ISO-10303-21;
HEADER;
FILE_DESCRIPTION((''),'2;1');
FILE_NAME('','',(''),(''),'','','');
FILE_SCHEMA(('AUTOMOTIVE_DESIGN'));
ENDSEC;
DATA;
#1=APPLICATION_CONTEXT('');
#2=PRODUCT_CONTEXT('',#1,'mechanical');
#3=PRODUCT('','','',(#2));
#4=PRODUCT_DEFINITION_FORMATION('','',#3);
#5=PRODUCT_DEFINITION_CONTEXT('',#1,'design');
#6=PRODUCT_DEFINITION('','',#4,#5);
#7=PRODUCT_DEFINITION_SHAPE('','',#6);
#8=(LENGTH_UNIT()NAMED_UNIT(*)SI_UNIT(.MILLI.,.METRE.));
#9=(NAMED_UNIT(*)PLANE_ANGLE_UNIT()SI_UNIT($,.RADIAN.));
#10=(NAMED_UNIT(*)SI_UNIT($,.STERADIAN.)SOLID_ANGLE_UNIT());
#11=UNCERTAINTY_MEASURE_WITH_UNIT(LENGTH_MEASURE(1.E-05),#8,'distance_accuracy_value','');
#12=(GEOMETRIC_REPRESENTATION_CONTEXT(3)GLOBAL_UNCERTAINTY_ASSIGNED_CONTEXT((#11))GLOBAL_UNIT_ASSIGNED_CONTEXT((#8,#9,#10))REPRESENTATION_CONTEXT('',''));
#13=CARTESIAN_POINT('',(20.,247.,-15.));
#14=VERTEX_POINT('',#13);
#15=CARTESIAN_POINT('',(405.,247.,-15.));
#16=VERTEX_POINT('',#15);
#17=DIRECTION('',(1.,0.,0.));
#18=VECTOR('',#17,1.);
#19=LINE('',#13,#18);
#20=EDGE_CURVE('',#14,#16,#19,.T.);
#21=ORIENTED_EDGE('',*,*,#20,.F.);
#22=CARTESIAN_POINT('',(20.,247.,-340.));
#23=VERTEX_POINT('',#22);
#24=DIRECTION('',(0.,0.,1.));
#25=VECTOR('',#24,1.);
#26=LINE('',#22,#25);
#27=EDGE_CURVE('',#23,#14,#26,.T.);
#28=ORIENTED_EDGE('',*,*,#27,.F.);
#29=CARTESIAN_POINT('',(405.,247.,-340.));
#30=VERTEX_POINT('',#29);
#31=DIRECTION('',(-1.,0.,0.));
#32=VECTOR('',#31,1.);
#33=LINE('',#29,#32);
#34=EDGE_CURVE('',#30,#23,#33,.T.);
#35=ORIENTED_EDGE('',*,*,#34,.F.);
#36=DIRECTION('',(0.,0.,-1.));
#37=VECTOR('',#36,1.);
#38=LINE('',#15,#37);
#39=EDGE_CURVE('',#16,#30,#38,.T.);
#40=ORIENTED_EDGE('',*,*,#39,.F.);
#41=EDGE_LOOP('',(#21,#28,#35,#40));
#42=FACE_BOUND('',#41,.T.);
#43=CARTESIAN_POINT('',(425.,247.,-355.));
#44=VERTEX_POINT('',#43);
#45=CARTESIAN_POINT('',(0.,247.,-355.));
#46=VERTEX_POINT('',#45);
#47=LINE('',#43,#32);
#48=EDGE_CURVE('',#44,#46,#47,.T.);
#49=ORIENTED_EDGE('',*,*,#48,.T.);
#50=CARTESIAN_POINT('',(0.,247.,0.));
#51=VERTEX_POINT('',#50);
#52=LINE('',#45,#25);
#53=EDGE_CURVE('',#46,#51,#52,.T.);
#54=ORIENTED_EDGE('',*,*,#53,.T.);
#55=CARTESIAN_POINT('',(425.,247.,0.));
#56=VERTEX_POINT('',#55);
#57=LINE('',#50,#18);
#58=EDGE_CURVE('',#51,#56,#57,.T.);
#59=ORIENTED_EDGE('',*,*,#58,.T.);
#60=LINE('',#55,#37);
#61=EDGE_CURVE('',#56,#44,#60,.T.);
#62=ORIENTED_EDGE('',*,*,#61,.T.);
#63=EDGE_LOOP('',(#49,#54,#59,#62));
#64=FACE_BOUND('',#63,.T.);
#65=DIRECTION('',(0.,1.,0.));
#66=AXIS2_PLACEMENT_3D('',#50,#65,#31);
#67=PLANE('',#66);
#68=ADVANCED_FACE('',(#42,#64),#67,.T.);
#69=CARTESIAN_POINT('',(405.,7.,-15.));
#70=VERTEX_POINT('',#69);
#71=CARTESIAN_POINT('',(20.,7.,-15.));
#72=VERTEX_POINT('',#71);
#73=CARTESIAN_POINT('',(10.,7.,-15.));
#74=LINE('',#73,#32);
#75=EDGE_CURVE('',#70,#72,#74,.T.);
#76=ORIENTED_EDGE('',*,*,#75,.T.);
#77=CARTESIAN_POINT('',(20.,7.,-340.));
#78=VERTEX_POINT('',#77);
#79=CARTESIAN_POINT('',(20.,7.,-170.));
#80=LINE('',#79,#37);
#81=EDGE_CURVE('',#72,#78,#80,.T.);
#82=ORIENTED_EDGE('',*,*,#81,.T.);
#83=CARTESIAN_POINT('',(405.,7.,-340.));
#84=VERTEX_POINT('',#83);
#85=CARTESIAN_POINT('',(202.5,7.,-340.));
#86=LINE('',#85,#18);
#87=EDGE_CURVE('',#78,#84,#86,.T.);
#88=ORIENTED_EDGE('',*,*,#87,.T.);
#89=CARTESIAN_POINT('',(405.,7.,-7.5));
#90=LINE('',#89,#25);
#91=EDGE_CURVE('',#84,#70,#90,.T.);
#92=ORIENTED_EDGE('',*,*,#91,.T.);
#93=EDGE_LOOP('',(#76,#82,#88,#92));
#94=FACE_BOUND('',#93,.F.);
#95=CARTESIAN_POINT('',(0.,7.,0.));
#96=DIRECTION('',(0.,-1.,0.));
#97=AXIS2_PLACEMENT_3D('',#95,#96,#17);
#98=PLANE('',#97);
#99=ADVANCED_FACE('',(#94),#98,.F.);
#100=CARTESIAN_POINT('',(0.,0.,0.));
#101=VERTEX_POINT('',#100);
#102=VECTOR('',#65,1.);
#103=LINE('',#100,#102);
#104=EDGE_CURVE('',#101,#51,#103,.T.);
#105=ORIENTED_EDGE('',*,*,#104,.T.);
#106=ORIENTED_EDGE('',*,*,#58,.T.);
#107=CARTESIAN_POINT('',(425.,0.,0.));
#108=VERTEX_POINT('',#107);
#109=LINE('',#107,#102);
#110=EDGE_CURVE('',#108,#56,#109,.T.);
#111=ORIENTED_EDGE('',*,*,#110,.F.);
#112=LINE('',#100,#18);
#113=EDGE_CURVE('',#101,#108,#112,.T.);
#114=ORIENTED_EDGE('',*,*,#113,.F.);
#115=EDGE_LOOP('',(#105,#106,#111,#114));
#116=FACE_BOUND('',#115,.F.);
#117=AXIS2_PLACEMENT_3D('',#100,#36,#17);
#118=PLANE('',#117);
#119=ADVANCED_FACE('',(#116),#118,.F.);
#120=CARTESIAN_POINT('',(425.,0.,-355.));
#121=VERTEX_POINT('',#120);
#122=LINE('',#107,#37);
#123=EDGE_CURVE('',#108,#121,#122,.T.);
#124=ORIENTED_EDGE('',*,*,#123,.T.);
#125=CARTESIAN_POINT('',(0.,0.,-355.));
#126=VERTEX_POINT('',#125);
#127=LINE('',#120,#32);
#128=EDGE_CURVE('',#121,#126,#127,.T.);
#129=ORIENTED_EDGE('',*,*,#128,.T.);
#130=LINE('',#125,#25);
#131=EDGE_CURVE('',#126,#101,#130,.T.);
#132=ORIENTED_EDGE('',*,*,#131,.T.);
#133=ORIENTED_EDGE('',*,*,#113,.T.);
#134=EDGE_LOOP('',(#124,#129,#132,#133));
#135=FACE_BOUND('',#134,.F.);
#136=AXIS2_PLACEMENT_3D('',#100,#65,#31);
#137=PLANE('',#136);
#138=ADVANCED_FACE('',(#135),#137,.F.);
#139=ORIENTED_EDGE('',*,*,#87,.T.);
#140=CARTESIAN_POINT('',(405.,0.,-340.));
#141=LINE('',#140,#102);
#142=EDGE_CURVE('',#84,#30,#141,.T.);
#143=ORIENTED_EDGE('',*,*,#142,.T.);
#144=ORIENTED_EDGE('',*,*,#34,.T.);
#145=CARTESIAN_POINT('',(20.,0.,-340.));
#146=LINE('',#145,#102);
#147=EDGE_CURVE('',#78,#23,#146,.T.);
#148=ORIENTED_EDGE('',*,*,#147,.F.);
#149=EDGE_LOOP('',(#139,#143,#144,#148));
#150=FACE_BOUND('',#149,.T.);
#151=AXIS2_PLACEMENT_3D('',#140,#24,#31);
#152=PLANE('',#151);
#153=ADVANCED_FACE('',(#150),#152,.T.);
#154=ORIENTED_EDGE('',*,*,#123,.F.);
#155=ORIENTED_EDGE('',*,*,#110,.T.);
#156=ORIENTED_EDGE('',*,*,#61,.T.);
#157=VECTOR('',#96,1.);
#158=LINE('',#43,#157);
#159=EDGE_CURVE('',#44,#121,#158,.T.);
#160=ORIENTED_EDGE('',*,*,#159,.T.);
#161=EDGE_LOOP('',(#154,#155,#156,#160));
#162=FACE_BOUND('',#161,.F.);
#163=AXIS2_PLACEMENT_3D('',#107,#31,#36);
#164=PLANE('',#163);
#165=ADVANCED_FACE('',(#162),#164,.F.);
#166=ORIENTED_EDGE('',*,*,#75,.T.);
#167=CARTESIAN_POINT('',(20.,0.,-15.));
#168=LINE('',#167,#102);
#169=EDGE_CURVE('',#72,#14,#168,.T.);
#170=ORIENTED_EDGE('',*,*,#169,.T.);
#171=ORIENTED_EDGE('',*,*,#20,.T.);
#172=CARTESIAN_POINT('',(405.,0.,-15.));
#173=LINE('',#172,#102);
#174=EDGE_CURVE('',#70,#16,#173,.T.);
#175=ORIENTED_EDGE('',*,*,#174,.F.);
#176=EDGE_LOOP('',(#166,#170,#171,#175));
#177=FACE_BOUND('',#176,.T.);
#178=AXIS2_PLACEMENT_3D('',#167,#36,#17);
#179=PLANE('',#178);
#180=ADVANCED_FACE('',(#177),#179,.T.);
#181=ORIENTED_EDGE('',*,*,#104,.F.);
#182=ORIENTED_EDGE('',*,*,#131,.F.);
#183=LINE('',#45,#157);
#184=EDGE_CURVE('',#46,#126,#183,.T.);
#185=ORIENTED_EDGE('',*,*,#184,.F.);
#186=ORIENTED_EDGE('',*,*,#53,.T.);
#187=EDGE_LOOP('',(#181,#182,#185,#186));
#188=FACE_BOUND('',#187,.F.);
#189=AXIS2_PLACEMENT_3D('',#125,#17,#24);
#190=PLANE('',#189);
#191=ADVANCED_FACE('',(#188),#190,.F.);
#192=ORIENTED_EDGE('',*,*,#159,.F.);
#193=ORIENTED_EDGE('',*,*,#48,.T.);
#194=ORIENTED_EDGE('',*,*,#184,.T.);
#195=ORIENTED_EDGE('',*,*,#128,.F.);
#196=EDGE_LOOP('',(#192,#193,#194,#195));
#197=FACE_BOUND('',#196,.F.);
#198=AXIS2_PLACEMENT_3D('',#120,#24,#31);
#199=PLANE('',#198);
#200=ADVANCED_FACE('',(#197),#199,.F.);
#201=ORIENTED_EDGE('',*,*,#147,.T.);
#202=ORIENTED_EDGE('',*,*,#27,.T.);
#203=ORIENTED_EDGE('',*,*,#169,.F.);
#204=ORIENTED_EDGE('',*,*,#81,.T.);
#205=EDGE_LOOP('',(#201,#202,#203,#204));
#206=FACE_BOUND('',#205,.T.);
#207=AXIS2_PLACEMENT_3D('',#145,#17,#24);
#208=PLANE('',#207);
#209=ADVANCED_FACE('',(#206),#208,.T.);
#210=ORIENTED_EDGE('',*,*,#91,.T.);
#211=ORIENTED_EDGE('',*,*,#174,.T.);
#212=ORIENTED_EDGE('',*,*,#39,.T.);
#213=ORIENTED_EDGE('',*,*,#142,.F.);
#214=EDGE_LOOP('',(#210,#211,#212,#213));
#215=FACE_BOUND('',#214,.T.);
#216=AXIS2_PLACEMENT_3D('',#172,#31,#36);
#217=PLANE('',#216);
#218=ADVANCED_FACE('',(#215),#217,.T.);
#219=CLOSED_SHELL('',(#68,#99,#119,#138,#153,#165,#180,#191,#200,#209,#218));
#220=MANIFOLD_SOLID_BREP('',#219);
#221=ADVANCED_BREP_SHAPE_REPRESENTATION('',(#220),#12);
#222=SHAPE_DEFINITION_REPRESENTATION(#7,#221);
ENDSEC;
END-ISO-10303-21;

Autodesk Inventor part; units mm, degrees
ref_plane "YZ Plane" through (0, 0, 0) normal (1, 0, 0) x (0, 1, 0)
ref_plane "XZ Plane" through (0, 0, 0) normal (0, 1, 0) x (-1, 0, 0)
ref_plane "XY Plane" through (0, 0, 0) normal (0, 0, 1) x (1, 0, 0)
sketch "Sketch1" plane through (0, 0, 0) normal (0, 1, 0) x (-1, 0, 0)
  line L0 (0, 0) -> (-425, 0)
  line L1 (-425, 0) -> (-425, -355)
  line L2 (-425, -355) -> (0, -355)
  line L3 (0, -355) -> (0, 0)
  line L4 (-20, -15) -> (-405, -15)
  line L5 (-405, -15) -> (-405, -340)
  line L6 (-405, -340) -> (-20, -340)
  line L7 (-20, -340) -> (-20, -15)
  dimension "d0" = 425
  dimension "d1" = 355
  dimension "d2" = 385
  dimension "d3" = 325
extrude "Extrusion1" add sketch "Sketch1" along normal blind 247
sketch "Sketch2" plane through (0, 0, 0) normal (0, -1, 0) x (1, 0, 0)
  line L0 (0, -355) -> (0, 0) projected
  line L1 (425, 0) -> (425, -355) projected
  line L2 (0, 0) -> (425, 0)
  line L3 (425, 0) -> (425, -355)
  line L4 (425, -355) -> (0, -355)
  line L5 (0, -355) -> (0, 0)
extrude "Extrusion2" add sketch "Sketch2" against normal blind 7
sketch "Sketch3" plane through (20, 247, -15) normal (1, 0, 0) x (0, 0, -1)
  line L0 (0, -240) -> (325, -240) projected
  line L1 (0, -240) -> (162.5, -240)
  point P0 (-15, -247)
  dimension "d8" = 162.5
sketch "Sketch4" plane through (405, 247, -340) normal (-1, 0, 0) x (0, 0, 1)
  point P0 (340, -247)
sketch "Sketch5" plane through (405, 247, -340) normal (-1, 0, 0) x (0, 0, 1)
  line L0 (325, -240) -> (0, -240) projected
  line L1 (325, -240) -> (162.5, -240)
  point P0 (340, -247)
sketch "Sketch6" plane through (405, 247, -340) normal (-1, 0, 0) x (0, 0, 1)
  line L0 (0, -240) -> (325, -240) projected
  line L1 (325, -240) -> (162.5, -240)
  point P0 (340, -247)
  dimension "d9" = 162.5
properties part number "Olkasse"
